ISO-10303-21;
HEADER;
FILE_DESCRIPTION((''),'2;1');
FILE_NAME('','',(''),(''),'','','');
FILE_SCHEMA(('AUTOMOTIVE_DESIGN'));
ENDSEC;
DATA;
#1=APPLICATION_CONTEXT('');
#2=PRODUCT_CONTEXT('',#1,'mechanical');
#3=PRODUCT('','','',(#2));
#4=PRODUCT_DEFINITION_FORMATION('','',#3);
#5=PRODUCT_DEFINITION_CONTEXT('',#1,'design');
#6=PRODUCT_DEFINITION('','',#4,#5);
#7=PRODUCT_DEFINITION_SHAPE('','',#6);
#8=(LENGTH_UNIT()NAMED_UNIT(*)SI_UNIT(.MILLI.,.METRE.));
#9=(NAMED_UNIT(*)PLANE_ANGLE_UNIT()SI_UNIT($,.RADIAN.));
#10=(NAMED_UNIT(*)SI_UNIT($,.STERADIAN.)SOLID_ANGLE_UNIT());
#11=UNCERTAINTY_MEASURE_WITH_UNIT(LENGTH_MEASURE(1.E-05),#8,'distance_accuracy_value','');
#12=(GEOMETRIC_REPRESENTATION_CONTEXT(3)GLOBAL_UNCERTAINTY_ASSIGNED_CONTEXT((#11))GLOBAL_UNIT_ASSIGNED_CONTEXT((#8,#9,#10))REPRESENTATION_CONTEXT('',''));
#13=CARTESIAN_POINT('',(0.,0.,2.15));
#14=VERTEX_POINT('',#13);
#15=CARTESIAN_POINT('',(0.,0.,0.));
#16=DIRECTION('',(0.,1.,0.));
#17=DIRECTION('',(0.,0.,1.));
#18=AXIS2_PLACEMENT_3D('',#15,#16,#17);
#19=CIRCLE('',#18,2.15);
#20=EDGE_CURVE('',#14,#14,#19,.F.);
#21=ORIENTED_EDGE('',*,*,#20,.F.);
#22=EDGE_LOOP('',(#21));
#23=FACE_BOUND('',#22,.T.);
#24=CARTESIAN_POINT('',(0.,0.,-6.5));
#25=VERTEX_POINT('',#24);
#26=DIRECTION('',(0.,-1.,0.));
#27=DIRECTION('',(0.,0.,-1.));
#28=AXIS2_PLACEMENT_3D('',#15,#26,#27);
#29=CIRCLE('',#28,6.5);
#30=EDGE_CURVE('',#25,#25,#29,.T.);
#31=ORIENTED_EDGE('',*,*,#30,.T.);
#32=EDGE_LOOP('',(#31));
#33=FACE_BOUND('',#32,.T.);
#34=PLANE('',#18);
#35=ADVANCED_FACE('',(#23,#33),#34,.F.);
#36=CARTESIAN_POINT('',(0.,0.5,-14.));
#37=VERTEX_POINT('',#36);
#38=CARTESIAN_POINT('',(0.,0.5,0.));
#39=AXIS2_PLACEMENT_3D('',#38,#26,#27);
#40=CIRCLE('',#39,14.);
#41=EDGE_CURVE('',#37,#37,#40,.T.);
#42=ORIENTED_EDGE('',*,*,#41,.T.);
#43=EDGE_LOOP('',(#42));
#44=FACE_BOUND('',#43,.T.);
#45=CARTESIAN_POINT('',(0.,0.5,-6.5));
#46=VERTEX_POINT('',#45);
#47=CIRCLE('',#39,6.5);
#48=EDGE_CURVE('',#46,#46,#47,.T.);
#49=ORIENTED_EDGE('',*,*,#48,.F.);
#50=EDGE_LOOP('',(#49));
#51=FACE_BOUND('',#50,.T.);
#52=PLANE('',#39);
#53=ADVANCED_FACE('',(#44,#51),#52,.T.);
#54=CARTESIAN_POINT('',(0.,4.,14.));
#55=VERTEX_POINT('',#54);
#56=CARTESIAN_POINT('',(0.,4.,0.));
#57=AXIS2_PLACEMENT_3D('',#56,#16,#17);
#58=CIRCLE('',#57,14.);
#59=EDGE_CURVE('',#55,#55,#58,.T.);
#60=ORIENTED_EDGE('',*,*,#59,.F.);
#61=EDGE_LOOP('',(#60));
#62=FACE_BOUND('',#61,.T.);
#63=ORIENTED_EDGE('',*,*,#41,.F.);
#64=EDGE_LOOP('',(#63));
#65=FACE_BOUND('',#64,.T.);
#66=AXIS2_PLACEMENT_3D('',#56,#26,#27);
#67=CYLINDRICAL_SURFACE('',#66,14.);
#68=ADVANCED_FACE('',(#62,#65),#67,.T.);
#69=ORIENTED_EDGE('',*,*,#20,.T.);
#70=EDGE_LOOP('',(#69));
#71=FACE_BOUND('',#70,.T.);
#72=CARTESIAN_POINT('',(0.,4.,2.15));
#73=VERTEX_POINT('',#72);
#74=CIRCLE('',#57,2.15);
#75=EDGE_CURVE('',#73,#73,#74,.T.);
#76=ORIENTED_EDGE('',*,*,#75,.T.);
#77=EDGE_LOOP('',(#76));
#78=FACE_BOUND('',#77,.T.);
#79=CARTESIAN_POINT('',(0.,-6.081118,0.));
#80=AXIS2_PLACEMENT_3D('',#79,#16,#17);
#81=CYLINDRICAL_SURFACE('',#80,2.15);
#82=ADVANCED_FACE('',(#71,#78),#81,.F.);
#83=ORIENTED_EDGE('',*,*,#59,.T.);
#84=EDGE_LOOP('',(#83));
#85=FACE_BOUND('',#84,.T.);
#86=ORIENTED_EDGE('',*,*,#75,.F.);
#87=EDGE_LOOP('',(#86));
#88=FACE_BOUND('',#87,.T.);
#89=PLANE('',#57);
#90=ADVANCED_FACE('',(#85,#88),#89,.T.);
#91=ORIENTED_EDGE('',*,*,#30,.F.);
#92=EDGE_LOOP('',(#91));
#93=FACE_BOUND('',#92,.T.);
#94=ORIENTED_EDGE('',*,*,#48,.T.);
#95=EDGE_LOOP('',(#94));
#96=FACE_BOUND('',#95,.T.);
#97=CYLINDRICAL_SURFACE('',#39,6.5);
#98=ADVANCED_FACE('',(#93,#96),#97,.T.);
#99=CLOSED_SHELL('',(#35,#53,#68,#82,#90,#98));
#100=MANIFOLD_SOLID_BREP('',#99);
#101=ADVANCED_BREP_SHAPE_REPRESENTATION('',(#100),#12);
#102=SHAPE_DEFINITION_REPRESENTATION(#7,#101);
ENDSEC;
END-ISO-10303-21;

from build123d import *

# Parameters (mm, degrees)
SKETCH1_R           = 14
BOSS_EXTRUDE1_DEPTH = 4
SKETCH2_R           = 14
SKETCH2_R_2         = 6.5
CUT_EXTRUDE1_DEPTH  = 0.5
SKETCH3_R           = 2.15
CUT_EXTRUDE2_DEPTH  = 4


with BuildPart() as part:
    # Sketch1 → Boss-Extrude1 (new body)
    with BuildSketch(Plane(origin=(0, 0, 0), x_dir=(1, 0, 0), z_dir=(0, 1, 0))):
        Circle(SKETCH1_R)
    extrude(amount=BOSS_EXTRUDE1_DEPTH)

    # Sketch2 → Cut-Extrude1 (cut)
    with BuildSketch(Plane.XZ):
        Circle(SKETCH2_R)
        Circle(SKETCH2_R_2, mode=Mode.SUBTRACT)
    extrude(amount=-CUT_EXTRUDE1_DEPTH, mode=Mode.SUBTRACT)

    # Sketch3 → Cut-Extrude2 (cut)
    with BuildSketch(Plane(origin=(0, 4, 0), x_dir=(1, 0, 0), z_dir=(0, 1, 0))):
        Circle(SKETCH3_R)
    extrude(amount=-CUT_EXTRUDE2_DEPTH, mode=Mode.SUBTRACT)


solid = part.part
